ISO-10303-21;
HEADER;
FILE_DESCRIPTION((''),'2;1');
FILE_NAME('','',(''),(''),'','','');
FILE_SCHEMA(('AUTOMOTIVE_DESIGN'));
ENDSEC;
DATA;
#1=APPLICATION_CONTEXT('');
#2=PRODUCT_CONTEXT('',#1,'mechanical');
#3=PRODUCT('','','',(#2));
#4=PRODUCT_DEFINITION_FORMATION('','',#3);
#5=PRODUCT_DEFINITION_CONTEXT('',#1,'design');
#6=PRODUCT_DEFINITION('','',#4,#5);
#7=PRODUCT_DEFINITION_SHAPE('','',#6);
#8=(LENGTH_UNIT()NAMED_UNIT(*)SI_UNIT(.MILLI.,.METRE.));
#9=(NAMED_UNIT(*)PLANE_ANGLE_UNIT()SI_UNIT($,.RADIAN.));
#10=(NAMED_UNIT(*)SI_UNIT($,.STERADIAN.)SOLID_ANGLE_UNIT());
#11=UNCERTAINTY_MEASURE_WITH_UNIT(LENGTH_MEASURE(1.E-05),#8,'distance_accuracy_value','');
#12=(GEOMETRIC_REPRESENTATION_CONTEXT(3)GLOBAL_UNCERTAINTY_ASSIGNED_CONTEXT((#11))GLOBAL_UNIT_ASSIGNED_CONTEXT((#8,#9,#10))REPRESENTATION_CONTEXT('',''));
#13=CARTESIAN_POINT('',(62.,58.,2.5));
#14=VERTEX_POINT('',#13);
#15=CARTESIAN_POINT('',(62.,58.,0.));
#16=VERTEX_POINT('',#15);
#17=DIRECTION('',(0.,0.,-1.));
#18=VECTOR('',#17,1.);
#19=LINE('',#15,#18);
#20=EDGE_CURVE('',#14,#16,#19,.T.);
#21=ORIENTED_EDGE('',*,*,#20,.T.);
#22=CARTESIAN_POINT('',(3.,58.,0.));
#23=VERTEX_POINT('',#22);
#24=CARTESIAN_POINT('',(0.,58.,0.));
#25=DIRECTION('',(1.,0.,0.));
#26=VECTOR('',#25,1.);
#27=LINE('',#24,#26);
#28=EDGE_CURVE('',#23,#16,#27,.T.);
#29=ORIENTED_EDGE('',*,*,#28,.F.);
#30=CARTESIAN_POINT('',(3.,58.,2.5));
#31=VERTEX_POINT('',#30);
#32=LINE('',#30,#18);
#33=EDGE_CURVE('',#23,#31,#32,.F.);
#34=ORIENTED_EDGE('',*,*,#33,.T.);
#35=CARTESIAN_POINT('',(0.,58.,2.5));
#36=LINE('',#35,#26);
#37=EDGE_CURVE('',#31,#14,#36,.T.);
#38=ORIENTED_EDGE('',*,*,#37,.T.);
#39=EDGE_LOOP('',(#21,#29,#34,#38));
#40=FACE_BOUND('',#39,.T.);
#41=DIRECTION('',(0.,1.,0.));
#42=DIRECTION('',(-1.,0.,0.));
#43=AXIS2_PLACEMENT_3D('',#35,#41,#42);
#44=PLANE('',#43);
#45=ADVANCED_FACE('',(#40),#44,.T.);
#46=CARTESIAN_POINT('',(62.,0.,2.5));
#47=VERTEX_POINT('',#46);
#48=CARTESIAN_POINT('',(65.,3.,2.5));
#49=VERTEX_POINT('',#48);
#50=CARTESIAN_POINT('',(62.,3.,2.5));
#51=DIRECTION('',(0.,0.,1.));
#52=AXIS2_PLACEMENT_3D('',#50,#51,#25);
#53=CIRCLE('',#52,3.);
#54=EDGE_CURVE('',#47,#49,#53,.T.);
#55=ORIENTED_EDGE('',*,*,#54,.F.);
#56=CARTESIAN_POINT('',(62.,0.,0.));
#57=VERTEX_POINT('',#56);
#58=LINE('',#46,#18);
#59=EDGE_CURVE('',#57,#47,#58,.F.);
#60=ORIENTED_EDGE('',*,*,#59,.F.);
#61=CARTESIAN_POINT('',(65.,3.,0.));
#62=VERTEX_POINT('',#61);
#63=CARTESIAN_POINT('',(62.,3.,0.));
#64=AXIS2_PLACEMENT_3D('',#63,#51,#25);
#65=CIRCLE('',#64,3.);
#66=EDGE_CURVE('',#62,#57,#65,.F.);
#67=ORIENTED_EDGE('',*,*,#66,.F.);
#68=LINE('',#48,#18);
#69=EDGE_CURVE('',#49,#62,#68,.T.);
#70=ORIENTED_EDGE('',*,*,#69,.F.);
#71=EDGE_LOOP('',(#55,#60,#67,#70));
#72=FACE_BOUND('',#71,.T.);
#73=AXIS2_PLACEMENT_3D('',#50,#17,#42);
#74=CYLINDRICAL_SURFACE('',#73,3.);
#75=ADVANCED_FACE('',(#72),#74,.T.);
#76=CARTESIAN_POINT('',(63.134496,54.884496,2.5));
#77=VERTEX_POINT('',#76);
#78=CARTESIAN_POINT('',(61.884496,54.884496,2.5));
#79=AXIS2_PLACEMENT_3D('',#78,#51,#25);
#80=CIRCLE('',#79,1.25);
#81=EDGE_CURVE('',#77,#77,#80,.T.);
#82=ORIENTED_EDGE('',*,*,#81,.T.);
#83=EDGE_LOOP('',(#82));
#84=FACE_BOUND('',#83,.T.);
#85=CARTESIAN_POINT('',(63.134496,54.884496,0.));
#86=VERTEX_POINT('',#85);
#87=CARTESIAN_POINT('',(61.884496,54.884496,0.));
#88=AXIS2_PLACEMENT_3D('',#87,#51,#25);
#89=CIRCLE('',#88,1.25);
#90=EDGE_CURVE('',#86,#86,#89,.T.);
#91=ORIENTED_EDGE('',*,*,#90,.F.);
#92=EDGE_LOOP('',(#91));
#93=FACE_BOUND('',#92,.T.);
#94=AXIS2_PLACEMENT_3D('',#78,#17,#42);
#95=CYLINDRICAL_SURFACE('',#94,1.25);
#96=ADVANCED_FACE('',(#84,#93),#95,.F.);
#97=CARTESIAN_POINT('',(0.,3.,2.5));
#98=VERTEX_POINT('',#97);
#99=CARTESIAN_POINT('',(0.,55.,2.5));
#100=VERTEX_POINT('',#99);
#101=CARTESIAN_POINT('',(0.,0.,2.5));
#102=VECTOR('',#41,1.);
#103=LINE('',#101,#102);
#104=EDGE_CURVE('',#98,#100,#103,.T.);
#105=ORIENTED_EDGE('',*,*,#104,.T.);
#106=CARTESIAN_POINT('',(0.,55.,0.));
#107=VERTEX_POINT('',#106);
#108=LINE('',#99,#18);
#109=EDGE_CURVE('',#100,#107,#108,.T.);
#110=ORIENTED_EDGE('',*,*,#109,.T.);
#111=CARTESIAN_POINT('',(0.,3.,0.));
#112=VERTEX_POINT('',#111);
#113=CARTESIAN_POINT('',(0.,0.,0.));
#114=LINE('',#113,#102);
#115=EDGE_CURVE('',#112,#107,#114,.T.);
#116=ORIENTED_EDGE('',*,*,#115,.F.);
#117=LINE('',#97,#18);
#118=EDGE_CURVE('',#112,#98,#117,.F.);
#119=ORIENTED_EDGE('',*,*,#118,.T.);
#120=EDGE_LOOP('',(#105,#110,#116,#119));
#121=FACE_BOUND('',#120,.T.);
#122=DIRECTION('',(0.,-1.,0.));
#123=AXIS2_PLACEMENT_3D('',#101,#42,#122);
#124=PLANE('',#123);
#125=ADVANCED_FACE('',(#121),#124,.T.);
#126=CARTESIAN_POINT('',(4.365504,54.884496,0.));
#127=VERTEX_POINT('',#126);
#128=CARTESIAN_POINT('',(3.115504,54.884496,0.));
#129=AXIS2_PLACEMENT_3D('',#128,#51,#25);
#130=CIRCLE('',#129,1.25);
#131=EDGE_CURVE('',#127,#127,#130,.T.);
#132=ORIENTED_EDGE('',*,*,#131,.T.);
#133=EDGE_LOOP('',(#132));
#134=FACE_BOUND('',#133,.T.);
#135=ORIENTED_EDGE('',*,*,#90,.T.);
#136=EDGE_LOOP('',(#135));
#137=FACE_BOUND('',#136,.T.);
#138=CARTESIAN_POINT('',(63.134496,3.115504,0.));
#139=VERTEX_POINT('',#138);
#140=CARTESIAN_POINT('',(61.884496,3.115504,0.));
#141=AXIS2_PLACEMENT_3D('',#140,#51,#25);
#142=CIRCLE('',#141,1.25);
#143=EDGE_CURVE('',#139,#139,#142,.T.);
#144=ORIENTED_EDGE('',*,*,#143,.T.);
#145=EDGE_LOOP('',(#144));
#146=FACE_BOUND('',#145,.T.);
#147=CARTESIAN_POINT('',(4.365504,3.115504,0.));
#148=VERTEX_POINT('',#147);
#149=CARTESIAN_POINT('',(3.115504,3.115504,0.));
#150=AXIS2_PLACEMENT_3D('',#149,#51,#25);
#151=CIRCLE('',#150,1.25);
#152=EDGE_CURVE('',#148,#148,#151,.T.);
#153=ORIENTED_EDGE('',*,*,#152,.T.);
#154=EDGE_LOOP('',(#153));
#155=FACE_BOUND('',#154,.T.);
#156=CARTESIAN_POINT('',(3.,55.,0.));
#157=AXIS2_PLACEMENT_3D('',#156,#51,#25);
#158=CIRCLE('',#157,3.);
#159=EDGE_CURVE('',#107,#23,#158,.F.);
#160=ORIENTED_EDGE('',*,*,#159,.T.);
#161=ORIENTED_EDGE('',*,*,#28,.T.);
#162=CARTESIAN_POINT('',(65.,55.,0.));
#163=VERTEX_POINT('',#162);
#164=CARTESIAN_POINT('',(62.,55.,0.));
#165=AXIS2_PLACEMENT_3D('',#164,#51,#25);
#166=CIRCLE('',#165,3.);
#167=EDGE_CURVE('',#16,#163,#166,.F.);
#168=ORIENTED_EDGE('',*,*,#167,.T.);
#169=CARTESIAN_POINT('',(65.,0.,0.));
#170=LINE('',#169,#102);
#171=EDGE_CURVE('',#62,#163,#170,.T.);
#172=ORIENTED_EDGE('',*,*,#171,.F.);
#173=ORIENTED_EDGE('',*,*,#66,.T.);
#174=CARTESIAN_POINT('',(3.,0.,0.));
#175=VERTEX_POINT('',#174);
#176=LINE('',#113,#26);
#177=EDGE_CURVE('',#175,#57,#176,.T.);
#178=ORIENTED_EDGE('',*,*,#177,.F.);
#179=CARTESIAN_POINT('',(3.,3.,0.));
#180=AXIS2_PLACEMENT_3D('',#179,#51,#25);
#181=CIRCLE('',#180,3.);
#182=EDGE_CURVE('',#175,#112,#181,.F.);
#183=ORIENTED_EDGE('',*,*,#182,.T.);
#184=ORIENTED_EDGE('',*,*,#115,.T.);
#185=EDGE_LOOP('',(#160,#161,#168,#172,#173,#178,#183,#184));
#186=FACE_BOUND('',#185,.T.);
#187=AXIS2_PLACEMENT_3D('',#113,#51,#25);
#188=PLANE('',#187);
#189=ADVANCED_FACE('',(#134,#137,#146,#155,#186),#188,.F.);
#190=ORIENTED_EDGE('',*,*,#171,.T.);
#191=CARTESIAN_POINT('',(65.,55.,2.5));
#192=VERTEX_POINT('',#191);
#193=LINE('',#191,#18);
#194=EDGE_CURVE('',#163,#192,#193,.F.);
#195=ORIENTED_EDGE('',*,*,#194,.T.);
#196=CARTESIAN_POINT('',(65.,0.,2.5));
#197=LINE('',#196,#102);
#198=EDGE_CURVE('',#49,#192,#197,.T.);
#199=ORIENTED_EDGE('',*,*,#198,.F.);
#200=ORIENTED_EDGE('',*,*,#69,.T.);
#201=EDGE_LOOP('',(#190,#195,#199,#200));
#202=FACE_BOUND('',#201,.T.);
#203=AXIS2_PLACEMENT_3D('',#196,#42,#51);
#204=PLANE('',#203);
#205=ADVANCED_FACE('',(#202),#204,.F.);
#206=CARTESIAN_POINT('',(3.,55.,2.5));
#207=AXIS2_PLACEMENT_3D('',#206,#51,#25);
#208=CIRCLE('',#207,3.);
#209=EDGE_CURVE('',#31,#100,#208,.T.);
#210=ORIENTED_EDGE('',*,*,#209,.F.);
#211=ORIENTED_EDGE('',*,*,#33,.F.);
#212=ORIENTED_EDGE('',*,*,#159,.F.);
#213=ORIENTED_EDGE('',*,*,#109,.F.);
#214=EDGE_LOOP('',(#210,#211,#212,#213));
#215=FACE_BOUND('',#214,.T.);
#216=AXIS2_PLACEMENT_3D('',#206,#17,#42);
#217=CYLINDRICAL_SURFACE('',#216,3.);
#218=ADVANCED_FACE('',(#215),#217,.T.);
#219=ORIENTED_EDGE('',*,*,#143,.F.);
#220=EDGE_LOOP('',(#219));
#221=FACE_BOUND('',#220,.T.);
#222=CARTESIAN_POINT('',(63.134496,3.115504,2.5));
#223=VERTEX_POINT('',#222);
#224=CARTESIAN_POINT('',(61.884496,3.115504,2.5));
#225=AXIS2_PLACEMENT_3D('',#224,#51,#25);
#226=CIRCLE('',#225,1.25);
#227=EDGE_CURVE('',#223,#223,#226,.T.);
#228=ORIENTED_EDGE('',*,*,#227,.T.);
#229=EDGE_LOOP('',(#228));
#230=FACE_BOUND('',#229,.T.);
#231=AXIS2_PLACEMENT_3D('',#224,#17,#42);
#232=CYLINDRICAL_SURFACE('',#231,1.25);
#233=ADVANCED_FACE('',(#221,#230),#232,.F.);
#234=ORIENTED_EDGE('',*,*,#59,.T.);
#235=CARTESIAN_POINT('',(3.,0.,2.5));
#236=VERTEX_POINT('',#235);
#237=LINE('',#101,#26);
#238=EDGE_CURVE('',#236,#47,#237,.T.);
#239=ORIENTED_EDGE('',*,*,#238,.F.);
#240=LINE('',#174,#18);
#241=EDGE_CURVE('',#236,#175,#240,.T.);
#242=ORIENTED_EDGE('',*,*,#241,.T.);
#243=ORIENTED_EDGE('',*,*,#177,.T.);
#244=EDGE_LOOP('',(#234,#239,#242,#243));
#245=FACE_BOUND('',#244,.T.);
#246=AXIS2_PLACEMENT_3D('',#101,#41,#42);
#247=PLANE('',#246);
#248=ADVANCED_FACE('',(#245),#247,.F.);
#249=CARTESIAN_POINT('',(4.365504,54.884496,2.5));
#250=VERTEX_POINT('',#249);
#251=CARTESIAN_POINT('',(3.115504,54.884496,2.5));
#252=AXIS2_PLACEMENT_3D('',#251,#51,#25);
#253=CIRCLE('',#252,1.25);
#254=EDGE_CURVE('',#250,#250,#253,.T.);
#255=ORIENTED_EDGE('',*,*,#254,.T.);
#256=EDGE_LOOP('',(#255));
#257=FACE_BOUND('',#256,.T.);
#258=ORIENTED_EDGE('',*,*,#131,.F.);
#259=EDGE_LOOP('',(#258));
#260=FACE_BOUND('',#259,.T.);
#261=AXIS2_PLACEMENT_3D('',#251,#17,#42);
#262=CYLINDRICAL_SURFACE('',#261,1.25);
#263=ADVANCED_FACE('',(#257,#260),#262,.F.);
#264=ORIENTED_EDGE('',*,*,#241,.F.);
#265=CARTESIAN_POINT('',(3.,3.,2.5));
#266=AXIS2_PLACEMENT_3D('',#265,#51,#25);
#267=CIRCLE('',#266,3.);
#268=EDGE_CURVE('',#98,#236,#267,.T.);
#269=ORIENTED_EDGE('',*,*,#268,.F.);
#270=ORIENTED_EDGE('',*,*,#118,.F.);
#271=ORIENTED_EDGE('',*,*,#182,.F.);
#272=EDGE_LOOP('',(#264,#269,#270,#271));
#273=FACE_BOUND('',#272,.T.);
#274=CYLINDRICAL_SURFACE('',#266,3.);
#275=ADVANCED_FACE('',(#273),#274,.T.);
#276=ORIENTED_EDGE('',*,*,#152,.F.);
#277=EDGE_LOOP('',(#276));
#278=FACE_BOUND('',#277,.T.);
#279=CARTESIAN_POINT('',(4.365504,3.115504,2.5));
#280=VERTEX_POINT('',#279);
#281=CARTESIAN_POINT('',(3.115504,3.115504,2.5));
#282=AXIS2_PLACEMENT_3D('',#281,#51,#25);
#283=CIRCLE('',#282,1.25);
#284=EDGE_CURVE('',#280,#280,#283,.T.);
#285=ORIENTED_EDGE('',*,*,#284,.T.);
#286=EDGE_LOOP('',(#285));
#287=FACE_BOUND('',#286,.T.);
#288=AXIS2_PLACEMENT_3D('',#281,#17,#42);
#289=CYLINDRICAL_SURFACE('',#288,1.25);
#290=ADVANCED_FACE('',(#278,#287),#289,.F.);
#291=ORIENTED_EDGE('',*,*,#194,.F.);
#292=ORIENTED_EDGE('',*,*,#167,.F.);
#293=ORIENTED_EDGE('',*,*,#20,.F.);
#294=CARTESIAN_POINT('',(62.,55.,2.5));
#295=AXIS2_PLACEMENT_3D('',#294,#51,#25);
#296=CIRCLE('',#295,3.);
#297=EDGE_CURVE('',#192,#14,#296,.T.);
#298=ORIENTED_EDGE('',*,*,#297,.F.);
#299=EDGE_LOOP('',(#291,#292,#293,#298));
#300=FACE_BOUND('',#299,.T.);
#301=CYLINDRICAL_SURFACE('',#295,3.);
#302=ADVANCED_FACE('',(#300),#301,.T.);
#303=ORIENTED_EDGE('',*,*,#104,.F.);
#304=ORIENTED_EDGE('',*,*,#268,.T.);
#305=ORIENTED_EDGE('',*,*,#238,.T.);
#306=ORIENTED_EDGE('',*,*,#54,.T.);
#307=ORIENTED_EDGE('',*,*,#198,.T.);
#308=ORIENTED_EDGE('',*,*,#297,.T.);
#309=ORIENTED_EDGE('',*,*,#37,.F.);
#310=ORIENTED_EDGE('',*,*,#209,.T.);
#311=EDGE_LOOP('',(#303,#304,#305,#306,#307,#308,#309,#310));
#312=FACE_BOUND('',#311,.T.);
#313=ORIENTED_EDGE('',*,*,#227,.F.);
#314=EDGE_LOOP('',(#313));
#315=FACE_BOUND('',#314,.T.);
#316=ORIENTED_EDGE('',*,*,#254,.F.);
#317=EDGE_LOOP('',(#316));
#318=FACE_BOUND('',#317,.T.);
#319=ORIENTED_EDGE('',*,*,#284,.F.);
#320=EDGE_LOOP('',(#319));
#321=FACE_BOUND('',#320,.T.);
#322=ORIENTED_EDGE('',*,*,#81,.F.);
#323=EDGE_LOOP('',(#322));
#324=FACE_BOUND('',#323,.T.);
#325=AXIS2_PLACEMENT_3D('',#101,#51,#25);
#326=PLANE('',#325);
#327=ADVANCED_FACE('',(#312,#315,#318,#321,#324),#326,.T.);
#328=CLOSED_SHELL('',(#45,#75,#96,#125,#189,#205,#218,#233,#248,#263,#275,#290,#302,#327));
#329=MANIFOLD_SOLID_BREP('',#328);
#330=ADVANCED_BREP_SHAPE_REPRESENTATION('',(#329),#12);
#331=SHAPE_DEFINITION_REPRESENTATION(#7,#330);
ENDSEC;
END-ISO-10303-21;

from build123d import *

# Parameters (mm, degrees)
BASE_SKETCH_W       = 65
BASE_SKETCH_H       = 58
BOSS_EXTRUDE2_DEPTH = 2.5
MOUNTING_HOLES_R    = 1.25
CUT_EXTRUDE5_DEPTH  = 2.5
FILLET1_R           = 3


with BuildPart() as part:
    # Base Sketch → Boss-Extrude2 (new body)
    with BuildSketch(Plane.XY):
        with Locations((32.5, 29)):
            Rectangle(BASE_SKETCH_W, BASE_SKETCH_H)
    extrude(amount=BOSS_EXTRUDE2_DEPTH)

    # Mounting Holes → Cut-Extrude5 (cut)
    with BuildSketch(Plane.XY):
        with Locations((3.115503651, 54.884496349)):
            Circle(MOUNTING_HOLES_R)
        with Locations((61.884496349, 54.884496349)):
            Circle(MOUNTING_HOLES_R)
        with Locations((61.884496349, 3.115503651)):
            Circle(MOUNTING_HOLES_R)
        with Locations((3.115503651, 3.115503651)):
            Circle(MOUNTING_HOLES_R)
    extrude(amount=CUT_EXTRUDE5_DEPTH, mode=Mode.SUBTRACT)

    # Fillet1
    fillet1_edges = [part.edges().sort_by_distance(p)[0] for p in [
        (0, 0, 1.25),
        (0, 58, 1.25),
        (65, 58, 1.25),
        (65, 0, 1.25),
    ]]
    fillet(fillet1_edges, radius=FILLET1_R)


solid = part.part
